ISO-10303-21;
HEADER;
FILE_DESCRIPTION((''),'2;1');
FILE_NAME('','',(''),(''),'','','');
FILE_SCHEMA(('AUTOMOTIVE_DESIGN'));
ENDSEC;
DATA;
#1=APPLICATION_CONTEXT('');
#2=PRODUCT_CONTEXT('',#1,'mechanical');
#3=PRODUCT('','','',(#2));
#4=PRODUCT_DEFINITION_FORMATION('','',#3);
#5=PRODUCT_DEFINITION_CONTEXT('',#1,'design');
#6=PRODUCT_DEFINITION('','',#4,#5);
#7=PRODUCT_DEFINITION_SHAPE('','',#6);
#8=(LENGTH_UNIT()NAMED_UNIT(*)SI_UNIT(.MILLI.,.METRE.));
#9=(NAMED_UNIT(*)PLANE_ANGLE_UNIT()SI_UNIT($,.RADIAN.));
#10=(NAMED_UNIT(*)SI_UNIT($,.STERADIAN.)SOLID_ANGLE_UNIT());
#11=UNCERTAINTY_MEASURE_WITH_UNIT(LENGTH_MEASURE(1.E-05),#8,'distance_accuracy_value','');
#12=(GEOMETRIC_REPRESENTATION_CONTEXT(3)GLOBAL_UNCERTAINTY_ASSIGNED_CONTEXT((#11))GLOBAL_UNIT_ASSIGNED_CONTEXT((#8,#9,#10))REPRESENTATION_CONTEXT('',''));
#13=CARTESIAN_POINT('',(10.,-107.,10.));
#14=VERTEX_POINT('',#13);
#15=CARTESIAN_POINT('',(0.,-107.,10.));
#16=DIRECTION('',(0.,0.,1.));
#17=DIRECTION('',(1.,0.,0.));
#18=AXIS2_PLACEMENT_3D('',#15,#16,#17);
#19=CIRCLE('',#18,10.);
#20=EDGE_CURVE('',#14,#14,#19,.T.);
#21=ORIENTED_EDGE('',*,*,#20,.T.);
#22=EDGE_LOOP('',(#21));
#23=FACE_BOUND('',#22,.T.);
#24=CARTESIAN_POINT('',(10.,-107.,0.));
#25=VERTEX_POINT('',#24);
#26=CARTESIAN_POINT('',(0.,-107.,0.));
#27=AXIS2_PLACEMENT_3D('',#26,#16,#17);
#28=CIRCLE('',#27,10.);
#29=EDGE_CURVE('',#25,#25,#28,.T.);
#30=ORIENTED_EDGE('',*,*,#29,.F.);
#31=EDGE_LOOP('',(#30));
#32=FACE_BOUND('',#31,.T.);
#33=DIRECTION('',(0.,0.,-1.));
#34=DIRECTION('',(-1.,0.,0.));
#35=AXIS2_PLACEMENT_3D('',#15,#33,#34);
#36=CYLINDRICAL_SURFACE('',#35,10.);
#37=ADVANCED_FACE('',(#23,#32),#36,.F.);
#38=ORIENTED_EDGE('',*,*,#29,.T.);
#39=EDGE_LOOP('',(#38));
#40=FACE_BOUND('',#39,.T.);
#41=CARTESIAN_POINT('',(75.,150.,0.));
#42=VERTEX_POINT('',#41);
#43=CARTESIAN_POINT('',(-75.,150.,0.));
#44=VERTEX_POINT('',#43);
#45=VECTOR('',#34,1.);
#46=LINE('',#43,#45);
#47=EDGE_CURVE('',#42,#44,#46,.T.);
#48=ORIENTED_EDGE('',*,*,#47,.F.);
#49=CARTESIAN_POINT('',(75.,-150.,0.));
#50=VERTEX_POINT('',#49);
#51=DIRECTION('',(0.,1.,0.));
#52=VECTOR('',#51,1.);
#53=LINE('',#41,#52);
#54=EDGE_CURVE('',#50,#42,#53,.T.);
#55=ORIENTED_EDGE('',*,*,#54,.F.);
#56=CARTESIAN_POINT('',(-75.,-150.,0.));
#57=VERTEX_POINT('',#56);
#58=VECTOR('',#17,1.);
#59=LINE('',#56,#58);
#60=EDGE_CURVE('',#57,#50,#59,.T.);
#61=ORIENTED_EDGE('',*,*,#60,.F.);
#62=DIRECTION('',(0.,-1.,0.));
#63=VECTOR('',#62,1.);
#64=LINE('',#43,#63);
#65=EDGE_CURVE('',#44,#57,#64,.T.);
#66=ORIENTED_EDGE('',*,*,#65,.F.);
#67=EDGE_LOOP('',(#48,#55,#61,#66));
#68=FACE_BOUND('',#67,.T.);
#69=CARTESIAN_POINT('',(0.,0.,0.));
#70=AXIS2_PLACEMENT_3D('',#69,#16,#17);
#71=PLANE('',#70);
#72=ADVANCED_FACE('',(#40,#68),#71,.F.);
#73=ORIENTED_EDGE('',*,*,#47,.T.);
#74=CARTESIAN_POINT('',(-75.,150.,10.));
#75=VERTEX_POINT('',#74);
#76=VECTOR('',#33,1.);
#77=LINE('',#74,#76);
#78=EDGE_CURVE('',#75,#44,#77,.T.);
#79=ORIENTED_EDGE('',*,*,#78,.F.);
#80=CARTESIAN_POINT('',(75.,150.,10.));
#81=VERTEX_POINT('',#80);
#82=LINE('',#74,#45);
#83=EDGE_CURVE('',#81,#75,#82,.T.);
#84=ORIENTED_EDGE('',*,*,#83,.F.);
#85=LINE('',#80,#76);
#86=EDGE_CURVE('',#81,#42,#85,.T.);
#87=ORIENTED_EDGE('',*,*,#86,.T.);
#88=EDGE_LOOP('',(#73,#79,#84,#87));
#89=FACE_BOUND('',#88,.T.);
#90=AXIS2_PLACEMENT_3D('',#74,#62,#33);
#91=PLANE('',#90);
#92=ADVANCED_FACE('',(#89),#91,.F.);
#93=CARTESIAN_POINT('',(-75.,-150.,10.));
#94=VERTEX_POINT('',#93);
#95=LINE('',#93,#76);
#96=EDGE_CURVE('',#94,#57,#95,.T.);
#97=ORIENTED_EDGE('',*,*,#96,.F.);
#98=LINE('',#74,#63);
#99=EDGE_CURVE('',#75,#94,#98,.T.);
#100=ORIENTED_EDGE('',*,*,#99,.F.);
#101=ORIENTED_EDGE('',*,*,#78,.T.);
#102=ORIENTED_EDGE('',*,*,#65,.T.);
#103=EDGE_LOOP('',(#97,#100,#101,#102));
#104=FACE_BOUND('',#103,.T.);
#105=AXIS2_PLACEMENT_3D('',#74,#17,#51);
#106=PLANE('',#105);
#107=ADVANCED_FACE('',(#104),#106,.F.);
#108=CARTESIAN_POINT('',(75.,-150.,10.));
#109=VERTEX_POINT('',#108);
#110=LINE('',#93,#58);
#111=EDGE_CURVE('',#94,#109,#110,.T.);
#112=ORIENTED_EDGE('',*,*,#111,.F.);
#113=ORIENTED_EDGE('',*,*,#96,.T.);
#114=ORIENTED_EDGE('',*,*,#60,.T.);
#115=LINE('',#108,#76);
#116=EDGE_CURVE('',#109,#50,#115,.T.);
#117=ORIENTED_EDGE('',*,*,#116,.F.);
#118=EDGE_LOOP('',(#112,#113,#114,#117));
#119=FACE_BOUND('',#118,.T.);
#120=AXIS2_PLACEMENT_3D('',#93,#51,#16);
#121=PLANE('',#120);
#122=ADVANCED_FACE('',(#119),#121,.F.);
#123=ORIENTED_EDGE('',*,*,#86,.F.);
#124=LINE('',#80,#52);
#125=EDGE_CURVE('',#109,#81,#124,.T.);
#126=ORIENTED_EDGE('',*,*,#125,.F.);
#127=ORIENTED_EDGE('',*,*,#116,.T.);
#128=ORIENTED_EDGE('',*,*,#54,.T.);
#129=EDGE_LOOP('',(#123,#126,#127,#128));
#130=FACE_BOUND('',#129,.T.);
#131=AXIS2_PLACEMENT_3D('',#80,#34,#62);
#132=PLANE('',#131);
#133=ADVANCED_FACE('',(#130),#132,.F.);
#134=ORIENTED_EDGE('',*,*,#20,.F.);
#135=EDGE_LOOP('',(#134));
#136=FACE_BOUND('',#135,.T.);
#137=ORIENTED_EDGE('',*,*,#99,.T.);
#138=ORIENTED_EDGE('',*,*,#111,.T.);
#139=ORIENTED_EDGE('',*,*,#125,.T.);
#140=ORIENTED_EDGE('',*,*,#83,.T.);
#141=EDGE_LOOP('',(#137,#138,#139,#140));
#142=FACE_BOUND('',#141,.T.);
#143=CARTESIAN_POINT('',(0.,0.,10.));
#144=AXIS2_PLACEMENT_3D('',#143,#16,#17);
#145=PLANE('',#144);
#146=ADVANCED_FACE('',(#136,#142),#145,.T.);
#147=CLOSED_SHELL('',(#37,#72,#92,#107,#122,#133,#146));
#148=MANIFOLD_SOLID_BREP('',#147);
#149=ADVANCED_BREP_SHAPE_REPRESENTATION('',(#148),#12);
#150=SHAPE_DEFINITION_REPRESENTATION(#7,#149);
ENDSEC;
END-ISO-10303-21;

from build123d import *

# Parameters (mm, degrees)
SKETCH1_W           = 150
SKETCH1_H           = 300
SKETCH1_R           = 10
BOSS_EXTRUDE1_DEPTH = 10


with BuildPart() as part:
    # Sketch1 → Boss-Extrude1 (new body)
    with BuildSketch(Plane.XY):
        Rectangle(SKETCH1_W, SKETCH1_H)
        with Locations((0, -107)):
            Circle(SKETCH1_R, mode=Mode.SUBTRACT)
    extrude(amount=BOSS_EXTRUDE1_DEPTH)


solid = part.part
